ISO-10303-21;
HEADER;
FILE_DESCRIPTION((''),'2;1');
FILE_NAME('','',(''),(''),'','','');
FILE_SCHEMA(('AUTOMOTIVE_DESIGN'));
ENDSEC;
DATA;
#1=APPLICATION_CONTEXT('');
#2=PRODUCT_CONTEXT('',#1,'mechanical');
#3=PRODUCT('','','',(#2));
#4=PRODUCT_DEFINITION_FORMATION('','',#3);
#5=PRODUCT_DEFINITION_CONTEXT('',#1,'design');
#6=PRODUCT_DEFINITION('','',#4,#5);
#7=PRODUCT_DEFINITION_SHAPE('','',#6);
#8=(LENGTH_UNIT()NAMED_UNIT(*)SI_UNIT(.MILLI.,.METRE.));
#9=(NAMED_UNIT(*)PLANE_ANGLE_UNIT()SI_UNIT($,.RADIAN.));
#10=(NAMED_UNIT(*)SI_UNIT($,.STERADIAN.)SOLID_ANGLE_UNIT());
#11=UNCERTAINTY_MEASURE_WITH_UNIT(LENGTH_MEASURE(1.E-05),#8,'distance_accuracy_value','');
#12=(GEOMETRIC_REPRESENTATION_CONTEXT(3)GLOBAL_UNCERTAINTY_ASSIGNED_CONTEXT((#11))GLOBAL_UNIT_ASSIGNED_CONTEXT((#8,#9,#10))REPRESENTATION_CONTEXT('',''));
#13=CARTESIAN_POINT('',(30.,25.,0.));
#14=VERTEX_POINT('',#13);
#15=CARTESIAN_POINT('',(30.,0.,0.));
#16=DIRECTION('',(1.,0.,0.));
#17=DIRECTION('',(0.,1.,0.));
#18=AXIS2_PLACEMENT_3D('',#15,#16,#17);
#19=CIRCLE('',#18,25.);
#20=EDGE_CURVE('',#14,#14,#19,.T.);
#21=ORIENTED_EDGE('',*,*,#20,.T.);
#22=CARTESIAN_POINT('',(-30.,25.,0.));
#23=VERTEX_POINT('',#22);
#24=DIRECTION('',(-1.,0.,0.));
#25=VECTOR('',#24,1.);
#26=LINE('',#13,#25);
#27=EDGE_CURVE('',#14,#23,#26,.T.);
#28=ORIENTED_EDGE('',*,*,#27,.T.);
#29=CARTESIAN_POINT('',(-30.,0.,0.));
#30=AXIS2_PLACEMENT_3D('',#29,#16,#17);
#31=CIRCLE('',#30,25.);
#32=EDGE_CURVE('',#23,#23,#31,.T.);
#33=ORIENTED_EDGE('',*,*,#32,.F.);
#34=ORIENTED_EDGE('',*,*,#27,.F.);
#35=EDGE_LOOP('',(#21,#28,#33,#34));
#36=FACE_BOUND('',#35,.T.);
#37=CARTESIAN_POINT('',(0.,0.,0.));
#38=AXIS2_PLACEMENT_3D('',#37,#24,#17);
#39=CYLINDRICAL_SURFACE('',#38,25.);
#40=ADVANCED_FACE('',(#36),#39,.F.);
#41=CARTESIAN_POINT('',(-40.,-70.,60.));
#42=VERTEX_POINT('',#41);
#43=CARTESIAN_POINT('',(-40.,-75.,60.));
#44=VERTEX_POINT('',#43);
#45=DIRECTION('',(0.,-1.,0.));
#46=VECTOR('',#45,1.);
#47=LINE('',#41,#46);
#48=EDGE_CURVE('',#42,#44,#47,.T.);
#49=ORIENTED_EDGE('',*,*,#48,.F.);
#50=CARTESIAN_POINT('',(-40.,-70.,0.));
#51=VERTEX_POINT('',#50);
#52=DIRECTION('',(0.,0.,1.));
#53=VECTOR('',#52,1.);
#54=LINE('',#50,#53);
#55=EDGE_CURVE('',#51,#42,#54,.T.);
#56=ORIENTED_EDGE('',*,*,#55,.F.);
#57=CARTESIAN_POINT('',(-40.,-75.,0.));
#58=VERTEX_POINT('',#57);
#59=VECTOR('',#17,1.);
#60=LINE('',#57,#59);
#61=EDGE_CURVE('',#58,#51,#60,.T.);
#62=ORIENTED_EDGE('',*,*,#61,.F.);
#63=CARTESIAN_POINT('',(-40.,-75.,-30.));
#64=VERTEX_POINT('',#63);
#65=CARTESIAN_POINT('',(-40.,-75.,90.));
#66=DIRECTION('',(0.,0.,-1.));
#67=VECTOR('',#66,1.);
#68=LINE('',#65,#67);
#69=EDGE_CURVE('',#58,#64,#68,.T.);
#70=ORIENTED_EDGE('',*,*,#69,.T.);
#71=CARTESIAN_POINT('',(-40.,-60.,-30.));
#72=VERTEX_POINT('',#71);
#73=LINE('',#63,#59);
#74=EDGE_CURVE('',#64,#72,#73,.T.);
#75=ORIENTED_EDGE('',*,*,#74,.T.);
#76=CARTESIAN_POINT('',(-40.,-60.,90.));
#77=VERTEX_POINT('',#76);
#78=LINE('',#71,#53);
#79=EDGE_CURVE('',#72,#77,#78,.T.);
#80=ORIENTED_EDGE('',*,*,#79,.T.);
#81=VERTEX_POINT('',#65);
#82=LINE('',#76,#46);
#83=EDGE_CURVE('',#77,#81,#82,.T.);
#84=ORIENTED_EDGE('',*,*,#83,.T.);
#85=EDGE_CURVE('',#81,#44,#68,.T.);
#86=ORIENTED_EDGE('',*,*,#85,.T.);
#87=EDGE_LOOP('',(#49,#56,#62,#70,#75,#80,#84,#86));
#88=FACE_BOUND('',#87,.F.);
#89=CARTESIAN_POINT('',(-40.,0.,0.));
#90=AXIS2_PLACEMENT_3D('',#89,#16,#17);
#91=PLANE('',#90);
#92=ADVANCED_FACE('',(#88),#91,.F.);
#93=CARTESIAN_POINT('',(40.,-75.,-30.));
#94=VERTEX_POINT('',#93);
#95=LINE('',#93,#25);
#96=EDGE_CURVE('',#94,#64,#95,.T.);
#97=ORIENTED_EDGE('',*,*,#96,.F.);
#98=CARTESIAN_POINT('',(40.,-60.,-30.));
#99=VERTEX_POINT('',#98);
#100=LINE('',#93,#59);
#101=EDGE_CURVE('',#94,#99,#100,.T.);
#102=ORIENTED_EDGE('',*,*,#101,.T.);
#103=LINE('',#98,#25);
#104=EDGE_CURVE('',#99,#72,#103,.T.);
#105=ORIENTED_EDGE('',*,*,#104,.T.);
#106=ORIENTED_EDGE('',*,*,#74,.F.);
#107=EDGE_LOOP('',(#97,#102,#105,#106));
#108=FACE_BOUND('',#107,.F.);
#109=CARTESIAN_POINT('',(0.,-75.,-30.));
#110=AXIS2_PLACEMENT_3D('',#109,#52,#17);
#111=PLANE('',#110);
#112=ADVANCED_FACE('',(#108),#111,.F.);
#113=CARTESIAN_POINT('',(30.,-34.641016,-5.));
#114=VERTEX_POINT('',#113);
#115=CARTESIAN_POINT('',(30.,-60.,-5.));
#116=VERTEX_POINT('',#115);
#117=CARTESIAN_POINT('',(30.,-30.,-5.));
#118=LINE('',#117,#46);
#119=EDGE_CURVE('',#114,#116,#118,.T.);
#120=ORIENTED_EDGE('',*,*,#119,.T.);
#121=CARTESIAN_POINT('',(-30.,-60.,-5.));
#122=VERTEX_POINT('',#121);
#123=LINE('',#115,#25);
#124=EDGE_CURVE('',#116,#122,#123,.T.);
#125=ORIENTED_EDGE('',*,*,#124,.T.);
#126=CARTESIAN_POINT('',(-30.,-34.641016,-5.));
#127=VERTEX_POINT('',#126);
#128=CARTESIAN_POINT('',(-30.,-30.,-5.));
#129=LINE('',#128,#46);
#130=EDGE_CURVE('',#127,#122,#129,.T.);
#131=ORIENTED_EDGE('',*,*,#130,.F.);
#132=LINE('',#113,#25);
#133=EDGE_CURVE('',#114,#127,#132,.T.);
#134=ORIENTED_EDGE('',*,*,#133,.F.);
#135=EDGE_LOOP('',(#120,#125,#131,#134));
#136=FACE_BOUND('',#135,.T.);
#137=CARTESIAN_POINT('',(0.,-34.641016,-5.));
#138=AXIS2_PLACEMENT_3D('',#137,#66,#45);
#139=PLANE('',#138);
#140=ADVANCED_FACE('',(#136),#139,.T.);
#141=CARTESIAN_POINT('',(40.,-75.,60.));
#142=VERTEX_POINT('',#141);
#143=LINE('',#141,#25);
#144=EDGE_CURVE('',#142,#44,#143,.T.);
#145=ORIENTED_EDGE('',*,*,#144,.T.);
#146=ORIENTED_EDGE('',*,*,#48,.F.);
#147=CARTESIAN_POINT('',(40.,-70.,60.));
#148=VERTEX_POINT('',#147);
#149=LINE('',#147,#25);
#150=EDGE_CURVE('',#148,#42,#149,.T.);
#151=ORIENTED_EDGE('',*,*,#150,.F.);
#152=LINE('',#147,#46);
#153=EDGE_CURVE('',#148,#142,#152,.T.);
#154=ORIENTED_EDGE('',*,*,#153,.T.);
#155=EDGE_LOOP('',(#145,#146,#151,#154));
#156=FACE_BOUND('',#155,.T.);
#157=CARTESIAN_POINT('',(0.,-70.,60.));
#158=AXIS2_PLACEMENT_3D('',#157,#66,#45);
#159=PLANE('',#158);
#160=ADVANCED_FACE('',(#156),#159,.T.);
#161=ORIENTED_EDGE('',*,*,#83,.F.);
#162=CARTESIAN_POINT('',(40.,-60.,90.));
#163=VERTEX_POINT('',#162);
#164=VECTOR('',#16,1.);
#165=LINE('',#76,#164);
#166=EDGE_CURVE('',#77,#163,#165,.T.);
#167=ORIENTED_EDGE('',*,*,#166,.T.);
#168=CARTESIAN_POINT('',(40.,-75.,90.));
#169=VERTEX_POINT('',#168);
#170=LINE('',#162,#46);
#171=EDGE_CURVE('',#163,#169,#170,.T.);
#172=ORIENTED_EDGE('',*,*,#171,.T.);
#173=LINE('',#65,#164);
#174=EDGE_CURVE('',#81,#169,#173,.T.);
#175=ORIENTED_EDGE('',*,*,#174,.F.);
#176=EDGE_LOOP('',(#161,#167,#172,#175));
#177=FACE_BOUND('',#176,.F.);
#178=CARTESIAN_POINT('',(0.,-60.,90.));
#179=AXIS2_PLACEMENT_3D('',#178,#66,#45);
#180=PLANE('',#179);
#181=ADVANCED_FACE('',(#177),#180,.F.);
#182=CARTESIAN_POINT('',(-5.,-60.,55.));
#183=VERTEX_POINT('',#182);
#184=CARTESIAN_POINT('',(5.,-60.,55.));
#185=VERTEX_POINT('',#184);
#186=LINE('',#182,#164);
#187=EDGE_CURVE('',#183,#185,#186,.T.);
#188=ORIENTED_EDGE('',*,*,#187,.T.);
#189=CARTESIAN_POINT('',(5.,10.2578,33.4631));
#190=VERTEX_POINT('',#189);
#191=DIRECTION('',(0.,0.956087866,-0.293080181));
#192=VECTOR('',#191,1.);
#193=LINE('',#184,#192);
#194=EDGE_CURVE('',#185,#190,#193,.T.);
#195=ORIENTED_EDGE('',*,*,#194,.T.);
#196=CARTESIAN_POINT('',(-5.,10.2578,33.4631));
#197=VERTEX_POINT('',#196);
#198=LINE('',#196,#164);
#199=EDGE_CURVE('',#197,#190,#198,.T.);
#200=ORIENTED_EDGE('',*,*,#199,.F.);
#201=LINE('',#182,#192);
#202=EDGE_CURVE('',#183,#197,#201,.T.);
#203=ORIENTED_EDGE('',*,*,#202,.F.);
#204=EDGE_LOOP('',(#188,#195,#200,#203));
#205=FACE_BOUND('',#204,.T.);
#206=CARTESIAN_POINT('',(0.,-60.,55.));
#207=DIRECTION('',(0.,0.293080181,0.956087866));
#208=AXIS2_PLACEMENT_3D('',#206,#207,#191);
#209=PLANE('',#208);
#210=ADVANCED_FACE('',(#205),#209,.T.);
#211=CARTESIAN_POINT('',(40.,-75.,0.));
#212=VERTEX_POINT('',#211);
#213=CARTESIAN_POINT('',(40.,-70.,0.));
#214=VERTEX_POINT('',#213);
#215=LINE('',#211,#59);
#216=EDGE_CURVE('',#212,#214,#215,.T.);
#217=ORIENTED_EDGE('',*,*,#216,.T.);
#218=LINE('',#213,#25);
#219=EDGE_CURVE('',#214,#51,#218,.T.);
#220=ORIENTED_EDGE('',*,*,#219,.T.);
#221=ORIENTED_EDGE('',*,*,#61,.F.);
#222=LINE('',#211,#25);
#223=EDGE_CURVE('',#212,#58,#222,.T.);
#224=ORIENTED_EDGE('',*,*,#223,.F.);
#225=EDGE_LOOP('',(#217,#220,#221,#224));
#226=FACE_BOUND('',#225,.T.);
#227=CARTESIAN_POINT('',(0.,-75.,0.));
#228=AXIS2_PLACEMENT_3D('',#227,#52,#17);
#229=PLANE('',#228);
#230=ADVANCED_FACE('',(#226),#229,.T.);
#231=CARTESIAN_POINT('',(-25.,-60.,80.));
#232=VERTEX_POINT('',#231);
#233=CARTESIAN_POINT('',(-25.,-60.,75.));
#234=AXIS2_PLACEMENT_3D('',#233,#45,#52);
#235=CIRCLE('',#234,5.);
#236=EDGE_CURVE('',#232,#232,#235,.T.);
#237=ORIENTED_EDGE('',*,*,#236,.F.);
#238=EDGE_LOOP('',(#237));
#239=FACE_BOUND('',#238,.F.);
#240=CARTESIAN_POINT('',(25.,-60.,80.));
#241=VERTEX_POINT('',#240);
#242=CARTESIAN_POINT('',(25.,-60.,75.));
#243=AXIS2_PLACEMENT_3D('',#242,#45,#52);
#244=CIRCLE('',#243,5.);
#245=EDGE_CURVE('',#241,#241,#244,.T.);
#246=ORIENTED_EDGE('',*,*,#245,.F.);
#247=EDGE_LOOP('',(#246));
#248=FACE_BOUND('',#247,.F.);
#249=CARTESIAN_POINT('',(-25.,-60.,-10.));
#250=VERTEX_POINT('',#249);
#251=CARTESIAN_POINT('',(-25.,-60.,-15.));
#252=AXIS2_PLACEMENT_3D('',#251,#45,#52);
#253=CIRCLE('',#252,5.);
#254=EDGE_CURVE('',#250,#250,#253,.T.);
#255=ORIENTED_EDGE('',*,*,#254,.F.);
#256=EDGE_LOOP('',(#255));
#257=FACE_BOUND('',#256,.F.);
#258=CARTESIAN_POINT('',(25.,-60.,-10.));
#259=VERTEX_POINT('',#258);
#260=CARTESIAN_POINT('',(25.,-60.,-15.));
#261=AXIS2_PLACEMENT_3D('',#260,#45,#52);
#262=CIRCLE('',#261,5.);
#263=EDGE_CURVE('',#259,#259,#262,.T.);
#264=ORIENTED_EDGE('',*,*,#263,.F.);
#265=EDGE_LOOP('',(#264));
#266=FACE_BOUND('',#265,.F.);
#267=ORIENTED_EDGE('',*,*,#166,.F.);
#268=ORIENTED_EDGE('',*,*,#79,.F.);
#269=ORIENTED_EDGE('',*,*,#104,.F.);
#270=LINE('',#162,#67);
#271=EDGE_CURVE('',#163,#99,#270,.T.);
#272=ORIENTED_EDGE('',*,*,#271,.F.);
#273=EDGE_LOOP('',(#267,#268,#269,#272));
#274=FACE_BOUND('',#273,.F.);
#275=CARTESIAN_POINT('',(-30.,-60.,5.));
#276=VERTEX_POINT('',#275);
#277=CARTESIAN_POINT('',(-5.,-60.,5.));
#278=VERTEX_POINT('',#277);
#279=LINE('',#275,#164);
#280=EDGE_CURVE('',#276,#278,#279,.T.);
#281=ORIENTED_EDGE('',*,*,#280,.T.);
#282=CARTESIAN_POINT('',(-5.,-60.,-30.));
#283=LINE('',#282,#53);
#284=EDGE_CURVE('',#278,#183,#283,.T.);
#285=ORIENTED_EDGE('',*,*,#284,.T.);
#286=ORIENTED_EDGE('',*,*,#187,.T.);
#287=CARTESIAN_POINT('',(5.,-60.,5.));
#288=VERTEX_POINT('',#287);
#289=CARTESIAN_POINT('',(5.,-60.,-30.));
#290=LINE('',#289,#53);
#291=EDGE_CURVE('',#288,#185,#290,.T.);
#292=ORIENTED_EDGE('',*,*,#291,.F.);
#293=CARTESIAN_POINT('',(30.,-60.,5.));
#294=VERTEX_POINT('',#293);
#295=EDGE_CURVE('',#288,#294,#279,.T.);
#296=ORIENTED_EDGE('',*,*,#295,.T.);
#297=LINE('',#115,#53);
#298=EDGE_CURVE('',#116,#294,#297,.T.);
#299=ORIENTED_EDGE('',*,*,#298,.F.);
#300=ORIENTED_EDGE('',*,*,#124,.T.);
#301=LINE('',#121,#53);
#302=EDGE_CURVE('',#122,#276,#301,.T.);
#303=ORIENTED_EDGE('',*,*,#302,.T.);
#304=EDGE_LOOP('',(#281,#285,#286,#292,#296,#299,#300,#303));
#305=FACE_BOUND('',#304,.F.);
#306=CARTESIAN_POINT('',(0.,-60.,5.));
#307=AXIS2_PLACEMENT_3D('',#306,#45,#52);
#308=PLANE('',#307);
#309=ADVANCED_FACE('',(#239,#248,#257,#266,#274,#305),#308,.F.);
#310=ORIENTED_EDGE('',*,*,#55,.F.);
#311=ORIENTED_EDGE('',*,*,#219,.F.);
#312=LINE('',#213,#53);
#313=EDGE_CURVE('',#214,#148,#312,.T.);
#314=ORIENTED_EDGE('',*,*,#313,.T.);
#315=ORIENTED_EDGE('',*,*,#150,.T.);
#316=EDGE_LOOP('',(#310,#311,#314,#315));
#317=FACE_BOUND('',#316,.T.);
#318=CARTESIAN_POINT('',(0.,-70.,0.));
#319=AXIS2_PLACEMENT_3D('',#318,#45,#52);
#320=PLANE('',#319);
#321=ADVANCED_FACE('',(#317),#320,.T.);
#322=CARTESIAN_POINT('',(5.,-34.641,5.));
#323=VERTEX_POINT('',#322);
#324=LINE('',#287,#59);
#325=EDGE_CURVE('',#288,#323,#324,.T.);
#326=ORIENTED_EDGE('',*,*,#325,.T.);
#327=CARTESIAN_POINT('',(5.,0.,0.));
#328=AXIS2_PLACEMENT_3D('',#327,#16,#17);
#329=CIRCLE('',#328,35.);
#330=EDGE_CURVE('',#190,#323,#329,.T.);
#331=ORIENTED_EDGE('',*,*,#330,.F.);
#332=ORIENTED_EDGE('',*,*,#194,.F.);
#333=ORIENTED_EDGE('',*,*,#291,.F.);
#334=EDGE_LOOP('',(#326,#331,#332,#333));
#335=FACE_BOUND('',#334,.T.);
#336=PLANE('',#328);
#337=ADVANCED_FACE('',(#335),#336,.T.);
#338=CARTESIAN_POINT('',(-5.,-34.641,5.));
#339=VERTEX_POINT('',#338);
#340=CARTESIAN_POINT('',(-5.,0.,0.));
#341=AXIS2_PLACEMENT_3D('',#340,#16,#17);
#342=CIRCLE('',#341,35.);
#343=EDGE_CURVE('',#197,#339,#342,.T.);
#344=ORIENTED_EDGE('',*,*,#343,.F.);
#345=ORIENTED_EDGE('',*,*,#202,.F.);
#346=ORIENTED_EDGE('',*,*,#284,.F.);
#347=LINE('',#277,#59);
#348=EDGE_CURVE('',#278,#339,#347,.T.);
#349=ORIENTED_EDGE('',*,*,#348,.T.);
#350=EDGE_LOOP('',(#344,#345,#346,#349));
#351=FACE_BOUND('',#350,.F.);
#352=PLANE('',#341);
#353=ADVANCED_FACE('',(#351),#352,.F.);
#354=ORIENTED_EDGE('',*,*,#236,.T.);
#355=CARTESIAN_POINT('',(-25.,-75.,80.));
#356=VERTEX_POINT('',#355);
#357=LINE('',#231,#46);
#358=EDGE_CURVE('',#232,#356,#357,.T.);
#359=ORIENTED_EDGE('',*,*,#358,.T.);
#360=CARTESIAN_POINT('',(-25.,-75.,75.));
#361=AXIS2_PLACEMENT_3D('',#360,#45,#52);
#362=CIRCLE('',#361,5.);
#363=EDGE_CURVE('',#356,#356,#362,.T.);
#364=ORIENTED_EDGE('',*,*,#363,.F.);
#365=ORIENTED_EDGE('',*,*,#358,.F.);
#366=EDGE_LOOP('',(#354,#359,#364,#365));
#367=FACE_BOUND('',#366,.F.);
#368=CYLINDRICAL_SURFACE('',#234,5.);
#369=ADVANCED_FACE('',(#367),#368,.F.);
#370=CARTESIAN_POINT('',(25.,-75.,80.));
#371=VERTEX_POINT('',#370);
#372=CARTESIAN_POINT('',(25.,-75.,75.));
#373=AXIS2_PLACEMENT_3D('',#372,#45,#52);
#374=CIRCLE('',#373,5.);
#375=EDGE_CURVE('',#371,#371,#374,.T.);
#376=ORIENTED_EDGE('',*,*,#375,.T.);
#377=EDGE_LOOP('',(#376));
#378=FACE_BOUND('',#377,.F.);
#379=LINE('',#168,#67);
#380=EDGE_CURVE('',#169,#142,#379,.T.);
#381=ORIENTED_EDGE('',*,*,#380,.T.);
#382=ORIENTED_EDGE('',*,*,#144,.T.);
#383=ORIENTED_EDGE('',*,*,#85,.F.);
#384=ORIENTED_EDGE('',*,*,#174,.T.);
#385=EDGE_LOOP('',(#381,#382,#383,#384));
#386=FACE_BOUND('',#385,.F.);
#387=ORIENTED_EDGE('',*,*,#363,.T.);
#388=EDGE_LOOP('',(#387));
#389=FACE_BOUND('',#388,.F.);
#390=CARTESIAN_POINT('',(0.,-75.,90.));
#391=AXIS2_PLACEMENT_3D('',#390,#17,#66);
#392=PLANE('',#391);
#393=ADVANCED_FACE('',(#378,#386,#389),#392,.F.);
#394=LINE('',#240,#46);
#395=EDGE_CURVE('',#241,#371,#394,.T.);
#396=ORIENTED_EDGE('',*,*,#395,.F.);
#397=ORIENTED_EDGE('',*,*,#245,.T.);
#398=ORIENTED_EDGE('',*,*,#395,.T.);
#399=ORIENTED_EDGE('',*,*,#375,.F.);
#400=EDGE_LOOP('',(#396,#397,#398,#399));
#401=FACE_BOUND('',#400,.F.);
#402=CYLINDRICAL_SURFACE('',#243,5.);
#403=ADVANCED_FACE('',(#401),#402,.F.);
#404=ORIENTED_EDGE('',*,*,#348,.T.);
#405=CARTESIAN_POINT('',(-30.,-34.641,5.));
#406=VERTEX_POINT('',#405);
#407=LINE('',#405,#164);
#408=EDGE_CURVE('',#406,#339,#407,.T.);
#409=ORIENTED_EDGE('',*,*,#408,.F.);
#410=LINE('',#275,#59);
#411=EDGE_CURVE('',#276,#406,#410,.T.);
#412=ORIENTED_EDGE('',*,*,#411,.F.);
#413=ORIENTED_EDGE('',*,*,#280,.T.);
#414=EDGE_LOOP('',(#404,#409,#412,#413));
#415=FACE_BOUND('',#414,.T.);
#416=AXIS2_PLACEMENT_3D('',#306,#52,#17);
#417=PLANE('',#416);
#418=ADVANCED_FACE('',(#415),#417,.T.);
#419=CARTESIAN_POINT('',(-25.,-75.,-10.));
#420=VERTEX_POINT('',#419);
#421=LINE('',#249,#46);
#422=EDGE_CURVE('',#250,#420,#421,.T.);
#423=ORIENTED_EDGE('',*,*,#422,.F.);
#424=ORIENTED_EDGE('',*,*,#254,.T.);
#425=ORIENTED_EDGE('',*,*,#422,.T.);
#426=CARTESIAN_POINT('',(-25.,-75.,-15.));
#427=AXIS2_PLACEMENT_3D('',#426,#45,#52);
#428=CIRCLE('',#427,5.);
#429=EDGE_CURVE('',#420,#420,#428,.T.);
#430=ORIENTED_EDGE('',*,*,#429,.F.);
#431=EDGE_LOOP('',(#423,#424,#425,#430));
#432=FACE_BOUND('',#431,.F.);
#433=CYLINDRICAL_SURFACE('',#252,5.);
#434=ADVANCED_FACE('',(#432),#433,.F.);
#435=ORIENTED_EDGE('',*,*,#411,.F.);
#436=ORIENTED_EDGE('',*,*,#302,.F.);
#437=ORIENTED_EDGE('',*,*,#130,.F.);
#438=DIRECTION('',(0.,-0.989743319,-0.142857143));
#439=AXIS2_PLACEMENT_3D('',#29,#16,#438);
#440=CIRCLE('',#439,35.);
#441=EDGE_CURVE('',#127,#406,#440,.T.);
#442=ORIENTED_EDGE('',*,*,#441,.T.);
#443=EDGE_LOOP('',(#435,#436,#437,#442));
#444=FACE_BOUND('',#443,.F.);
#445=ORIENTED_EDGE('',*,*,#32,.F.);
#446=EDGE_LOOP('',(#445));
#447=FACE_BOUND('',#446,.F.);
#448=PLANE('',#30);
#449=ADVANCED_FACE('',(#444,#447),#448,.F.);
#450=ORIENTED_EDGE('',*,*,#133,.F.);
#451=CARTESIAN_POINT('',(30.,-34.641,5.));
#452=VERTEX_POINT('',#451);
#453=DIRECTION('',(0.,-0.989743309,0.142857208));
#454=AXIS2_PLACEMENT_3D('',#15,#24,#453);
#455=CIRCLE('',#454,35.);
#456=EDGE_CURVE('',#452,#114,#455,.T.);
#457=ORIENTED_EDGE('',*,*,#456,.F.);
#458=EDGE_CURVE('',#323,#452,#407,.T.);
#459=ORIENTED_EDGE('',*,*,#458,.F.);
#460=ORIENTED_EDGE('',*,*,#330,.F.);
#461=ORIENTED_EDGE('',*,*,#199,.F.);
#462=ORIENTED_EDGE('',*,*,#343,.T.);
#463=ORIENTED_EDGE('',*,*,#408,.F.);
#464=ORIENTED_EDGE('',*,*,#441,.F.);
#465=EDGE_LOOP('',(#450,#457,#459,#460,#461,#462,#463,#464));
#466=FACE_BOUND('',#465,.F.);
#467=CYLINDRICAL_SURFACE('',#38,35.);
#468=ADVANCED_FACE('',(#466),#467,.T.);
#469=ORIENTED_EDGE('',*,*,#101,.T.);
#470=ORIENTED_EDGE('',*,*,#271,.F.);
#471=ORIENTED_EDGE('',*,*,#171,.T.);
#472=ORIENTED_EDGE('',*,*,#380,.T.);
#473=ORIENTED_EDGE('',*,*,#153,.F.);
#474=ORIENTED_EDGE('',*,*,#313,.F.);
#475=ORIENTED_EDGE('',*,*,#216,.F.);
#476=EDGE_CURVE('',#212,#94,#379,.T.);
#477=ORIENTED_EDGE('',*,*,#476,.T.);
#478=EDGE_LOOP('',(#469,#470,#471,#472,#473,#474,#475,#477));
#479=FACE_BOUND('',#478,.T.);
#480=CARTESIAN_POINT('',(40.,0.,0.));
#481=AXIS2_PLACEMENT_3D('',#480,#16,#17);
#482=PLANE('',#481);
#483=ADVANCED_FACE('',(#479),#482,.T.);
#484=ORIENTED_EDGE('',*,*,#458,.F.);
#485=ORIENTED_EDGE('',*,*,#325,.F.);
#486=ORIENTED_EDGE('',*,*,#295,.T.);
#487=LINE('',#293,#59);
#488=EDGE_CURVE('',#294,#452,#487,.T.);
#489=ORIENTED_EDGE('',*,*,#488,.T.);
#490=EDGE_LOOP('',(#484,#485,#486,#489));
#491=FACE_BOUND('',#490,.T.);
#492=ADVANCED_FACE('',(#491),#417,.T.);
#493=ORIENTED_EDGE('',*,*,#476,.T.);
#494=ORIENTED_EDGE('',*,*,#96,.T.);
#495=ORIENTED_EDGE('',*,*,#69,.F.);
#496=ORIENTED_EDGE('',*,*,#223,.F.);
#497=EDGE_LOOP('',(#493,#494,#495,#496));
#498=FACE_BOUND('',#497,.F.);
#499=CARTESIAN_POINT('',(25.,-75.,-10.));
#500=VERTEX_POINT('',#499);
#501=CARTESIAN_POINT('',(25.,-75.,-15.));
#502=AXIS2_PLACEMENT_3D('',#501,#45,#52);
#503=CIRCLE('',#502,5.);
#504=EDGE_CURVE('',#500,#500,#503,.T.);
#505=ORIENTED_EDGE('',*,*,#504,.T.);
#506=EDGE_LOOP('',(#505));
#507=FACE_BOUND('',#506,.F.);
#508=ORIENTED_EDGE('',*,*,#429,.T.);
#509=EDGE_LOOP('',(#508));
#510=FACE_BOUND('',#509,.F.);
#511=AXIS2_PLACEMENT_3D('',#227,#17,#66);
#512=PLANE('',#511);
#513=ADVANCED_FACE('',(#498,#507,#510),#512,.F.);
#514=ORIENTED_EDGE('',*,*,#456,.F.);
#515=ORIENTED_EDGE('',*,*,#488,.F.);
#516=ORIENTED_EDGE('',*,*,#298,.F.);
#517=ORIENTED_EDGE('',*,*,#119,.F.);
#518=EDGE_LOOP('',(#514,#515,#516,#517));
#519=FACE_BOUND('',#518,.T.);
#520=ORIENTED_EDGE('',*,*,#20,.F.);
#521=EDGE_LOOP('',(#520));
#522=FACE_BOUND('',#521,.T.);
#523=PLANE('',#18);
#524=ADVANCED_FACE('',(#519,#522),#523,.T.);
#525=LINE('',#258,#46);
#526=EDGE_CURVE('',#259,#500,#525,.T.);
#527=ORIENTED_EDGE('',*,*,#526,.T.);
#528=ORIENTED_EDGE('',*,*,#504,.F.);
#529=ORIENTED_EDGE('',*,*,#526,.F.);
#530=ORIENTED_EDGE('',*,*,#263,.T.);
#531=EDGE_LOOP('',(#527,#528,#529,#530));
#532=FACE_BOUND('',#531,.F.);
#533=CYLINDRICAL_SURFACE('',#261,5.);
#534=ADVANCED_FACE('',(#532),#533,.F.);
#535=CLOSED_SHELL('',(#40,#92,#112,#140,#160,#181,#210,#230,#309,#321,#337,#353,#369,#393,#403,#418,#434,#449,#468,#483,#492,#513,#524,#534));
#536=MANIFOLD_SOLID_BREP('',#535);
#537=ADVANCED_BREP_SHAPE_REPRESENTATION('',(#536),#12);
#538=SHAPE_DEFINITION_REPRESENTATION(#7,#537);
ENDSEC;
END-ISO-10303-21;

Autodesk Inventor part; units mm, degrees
ref_plane "YZ Plane" through (0, 0, 0) normal (1, 0, 0) x (0, 1, 0)
ref_plane "XZ Plane" through (0, 0, 0) normal (0, 1, 0) x (-1, 0, 0)
ref_plane "XY Plane" through (0, 0, 0) normal (0, 0, 1) x (1, 0, 0)
sketch "Sketch1" plane through (0, 0, 0) normal (1, 0, 0) x (0, 1, 0)
  circle A0 centre (0, 0) radius 25
  circle A1 centre (0, 0) radius 35
  line L0 (0, 0) -> (-60, 0) construction
  line L1 (-60, 5) -> (-30, 5)
  line L2 (-30, 5) -> (-30, -5)
  line L3 (-30, -5) -> (-60, -5)
  line L4 (-60, -5) -> (-60, 5)
  line L5 (-60, 90) -> (-75, 90)
  line L6 (-75, 90) -> (-75, -30)
  line L7 (-75, -30) -> (-60, -30)
  line L8 (-60, -30) -> (-60, 90)
  line L9 (-60, -30) -> (-60, 0) construction
  line L10 (-70, 60) -> (-75, 60)
  line L11 (-75, 60) -> (-75, 0)
  line L12 (-75, 0) -> (-70, 0)
  line L13 (-70, 0) -> (-70, 60)
  line L14 (-60, 90) -> (-60, 55) construction
  line L15 (-60, 55) -> (10.2578, 33.4631)
  line L16 (-60, 5) -> (-34.641, 5)
  line L17 (-60, 55) -> (-60, 5)
  point P0 (-75, 30)
  dimension "d0" = 50
  dimension "d1" = 70
  dimension "d2" = 60
  dimension "d3" = 10
  dimension "d4" = 30
  dimension "d5" = 15
  dimension "d6" = 120
  dimension "d7" = 30
  dimension "d8" = 5
  dimension "d9" = 60
  dimension "d10" = 35
extrude "Extrusion1" add sketch "Sketch1" along normal mid plane 60 contours A1 L3 L2 L1 | L3 L4 L1 A1 | A1 L1 L2 L3
extrude "Extrusion2" add sketch "Sketch1" along normal mid plane 10 contours A1 L1 L8 L15
extrude "Extrusion3" add sketch "Sketch1" along normal mid plane 80 contours L8 L4 L7 L6 L12 L13 L10 L5
sketch "Sketch2" plane through (-40, -60, 90) normal (0, 1, 0) x (1, 0, 0)
  line L0 (65, 15) -> (15, 15) construction
  line L1 (40, 15) -> (40, 0) construction
  line L2 (0, 0) -> (80, 0) construction
  line L3 (80, 30) -> (80, 90) construction
  line L4 (80, 60) -> (51.3961, 60) construction
  point P0 (40, 90)
  point P1 (65, 105)
  point P2 (15, 105)
  dimension "d17" = 15
  dimension "d18" = 50
hole "Hole1" at (-25, -60, 75) at (-25, -60, -15) at (25, -60, 75) at (25, -60, -15) direction (0, -1, 0) diameter 10 end through all
properties part number "D"
